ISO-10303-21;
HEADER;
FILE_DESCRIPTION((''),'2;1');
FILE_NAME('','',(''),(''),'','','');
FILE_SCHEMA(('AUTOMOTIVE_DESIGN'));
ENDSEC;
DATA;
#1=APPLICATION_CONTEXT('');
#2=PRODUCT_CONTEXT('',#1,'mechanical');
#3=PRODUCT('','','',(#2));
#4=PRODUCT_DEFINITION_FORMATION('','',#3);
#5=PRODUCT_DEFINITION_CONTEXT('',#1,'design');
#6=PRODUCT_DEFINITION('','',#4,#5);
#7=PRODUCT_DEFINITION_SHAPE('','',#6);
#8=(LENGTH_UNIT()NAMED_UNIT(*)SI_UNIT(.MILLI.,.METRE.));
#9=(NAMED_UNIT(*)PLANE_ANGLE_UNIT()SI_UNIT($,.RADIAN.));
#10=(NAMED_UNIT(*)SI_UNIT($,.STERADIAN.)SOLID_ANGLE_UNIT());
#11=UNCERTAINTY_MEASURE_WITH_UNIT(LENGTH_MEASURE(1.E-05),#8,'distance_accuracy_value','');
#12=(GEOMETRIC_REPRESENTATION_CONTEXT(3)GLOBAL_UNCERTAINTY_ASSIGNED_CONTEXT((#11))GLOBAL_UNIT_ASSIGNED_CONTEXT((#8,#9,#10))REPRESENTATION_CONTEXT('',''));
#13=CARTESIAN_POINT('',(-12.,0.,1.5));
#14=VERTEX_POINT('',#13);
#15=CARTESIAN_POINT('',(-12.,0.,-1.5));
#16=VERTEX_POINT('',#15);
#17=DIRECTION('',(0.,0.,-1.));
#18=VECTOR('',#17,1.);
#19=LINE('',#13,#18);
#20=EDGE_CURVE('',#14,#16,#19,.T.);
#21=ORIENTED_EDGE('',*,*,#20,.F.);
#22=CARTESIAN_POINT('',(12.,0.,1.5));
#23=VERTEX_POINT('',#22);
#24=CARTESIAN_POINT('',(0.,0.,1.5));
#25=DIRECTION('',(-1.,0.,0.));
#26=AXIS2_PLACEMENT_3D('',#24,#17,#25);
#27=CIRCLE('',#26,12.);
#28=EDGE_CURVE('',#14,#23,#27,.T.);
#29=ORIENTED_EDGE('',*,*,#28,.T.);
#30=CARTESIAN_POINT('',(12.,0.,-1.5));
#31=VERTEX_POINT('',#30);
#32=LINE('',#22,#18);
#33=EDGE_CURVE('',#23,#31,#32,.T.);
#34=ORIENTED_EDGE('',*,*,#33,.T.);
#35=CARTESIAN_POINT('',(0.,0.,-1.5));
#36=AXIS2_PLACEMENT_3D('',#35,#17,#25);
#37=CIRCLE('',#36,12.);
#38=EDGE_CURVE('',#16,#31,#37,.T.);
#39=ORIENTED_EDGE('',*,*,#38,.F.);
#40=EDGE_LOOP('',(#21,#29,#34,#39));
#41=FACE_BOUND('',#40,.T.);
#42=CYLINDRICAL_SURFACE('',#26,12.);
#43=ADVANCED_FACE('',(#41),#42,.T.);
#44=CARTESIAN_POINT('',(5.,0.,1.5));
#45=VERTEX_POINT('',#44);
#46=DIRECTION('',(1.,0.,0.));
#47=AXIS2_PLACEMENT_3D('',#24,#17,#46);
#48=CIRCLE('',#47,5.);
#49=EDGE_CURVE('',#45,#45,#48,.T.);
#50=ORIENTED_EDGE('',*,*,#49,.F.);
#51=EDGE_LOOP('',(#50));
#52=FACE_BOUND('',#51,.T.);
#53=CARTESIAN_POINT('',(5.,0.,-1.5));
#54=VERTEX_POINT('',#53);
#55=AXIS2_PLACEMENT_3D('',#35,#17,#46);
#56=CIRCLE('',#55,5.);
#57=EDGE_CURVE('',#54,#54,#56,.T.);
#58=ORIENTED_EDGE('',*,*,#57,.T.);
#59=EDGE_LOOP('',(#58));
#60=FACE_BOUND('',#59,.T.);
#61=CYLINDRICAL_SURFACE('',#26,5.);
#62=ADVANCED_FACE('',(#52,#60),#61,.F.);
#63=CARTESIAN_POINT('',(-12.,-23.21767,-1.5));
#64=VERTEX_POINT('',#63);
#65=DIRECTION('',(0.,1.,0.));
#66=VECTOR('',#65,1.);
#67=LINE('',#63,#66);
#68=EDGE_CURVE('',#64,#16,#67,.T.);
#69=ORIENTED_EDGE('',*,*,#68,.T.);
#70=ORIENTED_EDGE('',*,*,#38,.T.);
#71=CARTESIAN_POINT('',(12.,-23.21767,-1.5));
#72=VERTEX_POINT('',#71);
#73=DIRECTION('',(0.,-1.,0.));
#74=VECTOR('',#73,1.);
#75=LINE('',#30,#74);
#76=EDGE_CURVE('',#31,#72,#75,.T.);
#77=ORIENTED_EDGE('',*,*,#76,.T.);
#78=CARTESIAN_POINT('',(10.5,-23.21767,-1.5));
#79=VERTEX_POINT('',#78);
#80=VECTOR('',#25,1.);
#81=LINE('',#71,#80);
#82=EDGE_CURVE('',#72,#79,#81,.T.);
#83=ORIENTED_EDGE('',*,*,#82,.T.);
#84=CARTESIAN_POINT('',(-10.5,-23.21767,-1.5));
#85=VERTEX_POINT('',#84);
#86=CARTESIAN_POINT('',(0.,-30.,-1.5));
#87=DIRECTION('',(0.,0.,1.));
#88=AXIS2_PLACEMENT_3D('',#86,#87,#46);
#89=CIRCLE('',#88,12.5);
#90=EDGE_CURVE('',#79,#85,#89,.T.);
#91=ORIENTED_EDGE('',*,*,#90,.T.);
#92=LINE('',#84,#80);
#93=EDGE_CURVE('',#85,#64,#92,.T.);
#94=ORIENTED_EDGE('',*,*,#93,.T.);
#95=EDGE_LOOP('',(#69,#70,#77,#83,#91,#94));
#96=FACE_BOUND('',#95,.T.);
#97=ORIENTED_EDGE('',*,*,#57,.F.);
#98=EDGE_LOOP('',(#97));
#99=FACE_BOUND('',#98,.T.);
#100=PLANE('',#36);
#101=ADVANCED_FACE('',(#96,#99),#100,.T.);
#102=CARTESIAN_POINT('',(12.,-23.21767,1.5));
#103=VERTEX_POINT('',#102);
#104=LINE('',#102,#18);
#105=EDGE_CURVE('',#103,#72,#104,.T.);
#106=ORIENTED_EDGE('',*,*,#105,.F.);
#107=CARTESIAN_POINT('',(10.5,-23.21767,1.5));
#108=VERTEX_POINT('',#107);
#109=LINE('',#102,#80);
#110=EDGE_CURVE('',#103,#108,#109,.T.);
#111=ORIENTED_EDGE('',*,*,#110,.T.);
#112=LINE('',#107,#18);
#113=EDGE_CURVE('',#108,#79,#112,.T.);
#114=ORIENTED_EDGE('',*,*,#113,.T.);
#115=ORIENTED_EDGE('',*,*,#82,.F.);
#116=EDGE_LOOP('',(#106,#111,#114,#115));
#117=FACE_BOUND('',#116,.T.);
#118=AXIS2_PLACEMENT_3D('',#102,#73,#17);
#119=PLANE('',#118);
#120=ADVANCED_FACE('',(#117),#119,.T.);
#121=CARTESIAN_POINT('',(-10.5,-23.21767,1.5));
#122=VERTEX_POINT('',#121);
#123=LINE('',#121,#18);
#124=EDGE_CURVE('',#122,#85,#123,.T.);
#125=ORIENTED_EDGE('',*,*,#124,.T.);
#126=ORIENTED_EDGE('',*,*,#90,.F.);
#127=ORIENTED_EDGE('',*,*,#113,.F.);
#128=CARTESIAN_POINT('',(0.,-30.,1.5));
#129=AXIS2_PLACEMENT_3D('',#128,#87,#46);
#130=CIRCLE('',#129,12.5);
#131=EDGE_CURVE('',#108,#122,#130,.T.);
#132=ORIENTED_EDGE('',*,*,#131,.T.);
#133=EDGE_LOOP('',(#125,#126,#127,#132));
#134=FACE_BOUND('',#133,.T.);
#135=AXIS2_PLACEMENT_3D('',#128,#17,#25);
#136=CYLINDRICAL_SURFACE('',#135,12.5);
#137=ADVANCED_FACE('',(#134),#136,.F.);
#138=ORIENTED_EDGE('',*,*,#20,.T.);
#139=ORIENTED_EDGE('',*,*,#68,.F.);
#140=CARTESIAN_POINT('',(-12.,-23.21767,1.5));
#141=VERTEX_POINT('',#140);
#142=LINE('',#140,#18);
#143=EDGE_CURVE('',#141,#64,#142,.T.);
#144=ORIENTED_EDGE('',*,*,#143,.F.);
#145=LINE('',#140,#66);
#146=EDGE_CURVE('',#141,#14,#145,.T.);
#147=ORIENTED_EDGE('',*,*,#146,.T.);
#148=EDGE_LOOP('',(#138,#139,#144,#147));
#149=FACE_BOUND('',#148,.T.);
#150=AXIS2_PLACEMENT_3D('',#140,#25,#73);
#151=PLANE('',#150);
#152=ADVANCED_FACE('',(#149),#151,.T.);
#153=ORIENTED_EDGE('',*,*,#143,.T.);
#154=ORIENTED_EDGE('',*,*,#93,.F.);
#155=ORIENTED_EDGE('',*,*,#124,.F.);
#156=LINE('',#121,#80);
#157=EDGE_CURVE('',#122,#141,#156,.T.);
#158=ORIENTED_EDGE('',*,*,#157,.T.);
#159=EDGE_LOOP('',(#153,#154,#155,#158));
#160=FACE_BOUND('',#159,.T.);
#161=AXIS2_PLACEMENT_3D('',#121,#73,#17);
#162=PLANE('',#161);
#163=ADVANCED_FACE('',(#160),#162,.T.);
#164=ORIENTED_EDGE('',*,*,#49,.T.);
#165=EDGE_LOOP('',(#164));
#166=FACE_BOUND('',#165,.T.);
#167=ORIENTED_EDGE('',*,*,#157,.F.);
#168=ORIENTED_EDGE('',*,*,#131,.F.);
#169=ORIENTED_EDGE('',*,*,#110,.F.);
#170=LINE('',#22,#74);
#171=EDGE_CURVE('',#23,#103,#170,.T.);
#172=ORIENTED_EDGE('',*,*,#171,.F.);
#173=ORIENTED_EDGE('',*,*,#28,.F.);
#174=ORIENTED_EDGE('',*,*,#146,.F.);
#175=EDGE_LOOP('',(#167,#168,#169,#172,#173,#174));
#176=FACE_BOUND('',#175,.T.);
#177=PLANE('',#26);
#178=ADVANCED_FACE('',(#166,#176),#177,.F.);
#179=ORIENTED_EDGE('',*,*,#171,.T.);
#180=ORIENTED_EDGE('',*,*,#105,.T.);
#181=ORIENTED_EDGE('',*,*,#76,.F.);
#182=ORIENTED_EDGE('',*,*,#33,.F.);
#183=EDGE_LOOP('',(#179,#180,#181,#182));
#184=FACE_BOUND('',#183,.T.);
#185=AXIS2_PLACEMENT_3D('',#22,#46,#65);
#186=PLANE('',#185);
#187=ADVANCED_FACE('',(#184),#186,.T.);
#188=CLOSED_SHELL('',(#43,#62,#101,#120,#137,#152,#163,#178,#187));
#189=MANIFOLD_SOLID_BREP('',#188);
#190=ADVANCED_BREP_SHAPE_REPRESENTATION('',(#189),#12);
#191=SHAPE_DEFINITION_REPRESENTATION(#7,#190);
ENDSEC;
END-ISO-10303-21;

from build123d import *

# Parameters (mm, degrees)
SZKIC1_R                    = 5
DODANIE_WYCI_GNI_CIE1_DEPTH = 3


with BuildPart() as part:
    # Szkic1 → Dodanie-wyciągnięcie1 (new body)
    with BuildSketch(Plane(origin=(0, 0, -1.5), x_dir=(-1, 0, 0), z_dir=(0, 0, -1))):
        with BuildLine():
            Line((-12, 0), (-12, -23.217670017))
            Line((-12, -23.217670017), (-10.5, -23.217670017))
            ThreePointArc((-10.5, -23.217670017), (0, -17.5), (10.5, -23.217670017))
            Line((10.5, -23.217670017), (12, -23.217670017))
            Line((12, -23.217670017), (12, 0))
            ThreePointArc((12, 0), (0, 12), (-12, 0))
        make_face()
        Circle(SZKIC1_R, mode=Mode.SUBTRACT)
    extrude(amount=-DODANIE_WYCI_GNI_CIE1_DEPTH)


solid = part.part
